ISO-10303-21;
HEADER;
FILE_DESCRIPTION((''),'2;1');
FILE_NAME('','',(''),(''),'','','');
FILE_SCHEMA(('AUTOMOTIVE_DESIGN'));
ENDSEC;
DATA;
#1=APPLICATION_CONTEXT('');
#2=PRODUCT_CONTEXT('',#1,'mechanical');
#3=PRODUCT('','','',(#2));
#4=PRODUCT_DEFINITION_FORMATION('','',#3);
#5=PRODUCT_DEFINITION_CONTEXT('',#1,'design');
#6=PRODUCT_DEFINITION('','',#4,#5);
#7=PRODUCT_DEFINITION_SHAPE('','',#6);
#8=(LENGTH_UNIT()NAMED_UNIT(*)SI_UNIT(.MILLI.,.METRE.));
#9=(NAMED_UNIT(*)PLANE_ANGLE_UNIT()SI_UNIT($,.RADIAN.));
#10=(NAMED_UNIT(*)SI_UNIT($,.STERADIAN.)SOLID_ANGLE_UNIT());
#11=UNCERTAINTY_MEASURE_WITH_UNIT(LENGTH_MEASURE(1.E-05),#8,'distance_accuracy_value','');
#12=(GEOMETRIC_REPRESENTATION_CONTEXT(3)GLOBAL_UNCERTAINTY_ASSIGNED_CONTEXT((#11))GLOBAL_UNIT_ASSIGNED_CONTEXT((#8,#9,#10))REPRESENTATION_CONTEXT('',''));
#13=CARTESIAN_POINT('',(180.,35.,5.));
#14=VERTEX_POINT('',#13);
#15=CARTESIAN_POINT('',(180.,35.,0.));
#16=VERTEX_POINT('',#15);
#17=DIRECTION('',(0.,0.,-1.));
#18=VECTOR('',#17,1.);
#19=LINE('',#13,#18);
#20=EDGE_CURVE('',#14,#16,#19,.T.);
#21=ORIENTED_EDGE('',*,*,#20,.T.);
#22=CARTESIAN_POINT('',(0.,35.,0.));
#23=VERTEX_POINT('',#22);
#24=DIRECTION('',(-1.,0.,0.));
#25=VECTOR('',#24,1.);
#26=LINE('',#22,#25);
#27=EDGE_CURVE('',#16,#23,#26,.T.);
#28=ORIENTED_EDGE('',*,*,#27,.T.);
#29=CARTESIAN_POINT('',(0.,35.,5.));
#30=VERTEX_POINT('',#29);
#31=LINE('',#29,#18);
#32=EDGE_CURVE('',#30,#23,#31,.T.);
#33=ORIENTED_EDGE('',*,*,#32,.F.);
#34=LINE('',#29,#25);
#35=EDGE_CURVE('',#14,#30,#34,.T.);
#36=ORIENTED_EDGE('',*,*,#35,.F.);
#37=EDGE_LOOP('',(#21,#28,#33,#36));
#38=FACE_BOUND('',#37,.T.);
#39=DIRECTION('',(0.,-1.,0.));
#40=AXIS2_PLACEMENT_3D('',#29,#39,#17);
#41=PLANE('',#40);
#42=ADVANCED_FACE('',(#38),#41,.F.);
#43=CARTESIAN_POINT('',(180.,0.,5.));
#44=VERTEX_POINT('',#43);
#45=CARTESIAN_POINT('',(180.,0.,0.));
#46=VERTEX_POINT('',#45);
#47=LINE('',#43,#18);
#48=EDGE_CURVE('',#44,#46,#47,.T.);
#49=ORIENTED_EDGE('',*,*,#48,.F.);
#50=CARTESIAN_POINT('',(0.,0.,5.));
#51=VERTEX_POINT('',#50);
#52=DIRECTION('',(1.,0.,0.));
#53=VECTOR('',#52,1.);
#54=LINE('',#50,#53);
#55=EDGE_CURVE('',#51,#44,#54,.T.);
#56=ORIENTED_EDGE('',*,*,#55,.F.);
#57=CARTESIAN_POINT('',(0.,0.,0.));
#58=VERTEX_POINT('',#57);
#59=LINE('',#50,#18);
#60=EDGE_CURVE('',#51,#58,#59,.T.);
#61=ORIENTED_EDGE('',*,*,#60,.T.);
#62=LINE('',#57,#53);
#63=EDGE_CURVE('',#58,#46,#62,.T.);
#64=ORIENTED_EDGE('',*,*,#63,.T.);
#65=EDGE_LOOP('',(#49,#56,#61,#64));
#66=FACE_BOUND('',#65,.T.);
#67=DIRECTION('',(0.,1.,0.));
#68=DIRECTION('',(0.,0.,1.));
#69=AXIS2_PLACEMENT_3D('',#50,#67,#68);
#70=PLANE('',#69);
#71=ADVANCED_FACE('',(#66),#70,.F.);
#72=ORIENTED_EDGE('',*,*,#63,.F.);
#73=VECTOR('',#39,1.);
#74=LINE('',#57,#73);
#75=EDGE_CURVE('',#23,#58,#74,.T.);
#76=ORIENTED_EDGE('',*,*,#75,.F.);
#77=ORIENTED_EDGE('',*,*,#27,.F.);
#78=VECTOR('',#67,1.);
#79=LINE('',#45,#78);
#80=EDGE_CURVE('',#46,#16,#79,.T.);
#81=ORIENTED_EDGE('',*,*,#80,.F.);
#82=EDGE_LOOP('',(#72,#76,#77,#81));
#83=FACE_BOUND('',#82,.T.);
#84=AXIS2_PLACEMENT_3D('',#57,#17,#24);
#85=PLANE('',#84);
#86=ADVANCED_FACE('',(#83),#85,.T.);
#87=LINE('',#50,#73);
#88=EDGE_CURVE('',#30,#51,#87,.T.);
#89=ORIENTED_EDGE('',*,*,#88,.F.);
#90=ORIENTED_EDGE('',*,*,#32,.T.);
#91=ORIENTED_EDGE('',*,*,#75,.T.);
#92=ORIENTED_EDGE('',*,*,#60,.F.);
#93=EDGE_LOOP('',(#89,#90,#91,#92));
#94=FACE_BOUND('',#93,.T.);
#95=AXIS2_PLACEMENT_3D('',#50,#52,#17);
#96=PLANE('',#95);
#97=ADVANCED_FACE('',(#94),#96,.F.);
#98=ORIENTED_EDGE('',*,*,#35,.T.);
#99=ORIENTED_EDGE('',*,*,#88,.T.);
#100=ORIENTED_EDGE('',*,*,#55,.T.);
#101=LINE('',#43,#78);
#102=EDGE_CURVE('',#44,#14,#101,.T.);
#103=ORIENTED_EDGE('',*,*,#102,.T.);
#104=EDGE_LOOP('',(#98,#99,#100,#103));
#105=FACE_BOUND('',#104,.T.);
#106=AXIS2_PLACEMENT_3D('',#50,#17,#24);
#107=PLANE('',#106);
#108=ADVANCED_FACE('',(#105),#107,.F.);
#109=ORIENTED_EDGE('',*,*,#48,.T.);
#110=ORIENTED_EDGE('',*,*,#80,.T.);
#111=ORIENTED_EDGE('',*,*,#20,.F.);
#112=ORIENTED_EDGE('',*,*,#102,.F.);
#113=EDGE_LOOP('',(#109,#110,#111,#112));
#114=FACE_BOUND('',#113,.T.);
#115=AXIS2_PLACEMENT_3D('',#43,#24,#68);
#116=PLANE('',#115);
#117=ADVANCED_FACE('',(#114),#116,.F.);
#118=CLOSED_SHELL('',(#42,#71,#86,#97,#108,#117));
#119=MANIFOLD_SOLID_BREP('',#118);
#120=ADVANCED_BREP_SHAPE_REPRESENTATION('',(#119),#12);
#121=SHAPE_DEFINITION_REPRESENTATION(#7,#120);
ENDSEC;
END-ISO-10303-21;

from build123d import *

# Parameters (mm, degrees)
CROQUIS1_W              = 180
CROQUIS1_H              = 35
SALIENTE_EXTRUIR1_DEPTH = 5


with BuildPart() as part:
    # Croquis1 → Saliente-Extruir1 (new body)
    with BuildSketch(Plane.XY):
        with Locations((90, 17.5)):
            Rectangle(CROQUIS1_W, CROQUIS1_H)
    extrude(amount=SALIENTE_EXTRUIR1_DEPTH)


solid = part.part
